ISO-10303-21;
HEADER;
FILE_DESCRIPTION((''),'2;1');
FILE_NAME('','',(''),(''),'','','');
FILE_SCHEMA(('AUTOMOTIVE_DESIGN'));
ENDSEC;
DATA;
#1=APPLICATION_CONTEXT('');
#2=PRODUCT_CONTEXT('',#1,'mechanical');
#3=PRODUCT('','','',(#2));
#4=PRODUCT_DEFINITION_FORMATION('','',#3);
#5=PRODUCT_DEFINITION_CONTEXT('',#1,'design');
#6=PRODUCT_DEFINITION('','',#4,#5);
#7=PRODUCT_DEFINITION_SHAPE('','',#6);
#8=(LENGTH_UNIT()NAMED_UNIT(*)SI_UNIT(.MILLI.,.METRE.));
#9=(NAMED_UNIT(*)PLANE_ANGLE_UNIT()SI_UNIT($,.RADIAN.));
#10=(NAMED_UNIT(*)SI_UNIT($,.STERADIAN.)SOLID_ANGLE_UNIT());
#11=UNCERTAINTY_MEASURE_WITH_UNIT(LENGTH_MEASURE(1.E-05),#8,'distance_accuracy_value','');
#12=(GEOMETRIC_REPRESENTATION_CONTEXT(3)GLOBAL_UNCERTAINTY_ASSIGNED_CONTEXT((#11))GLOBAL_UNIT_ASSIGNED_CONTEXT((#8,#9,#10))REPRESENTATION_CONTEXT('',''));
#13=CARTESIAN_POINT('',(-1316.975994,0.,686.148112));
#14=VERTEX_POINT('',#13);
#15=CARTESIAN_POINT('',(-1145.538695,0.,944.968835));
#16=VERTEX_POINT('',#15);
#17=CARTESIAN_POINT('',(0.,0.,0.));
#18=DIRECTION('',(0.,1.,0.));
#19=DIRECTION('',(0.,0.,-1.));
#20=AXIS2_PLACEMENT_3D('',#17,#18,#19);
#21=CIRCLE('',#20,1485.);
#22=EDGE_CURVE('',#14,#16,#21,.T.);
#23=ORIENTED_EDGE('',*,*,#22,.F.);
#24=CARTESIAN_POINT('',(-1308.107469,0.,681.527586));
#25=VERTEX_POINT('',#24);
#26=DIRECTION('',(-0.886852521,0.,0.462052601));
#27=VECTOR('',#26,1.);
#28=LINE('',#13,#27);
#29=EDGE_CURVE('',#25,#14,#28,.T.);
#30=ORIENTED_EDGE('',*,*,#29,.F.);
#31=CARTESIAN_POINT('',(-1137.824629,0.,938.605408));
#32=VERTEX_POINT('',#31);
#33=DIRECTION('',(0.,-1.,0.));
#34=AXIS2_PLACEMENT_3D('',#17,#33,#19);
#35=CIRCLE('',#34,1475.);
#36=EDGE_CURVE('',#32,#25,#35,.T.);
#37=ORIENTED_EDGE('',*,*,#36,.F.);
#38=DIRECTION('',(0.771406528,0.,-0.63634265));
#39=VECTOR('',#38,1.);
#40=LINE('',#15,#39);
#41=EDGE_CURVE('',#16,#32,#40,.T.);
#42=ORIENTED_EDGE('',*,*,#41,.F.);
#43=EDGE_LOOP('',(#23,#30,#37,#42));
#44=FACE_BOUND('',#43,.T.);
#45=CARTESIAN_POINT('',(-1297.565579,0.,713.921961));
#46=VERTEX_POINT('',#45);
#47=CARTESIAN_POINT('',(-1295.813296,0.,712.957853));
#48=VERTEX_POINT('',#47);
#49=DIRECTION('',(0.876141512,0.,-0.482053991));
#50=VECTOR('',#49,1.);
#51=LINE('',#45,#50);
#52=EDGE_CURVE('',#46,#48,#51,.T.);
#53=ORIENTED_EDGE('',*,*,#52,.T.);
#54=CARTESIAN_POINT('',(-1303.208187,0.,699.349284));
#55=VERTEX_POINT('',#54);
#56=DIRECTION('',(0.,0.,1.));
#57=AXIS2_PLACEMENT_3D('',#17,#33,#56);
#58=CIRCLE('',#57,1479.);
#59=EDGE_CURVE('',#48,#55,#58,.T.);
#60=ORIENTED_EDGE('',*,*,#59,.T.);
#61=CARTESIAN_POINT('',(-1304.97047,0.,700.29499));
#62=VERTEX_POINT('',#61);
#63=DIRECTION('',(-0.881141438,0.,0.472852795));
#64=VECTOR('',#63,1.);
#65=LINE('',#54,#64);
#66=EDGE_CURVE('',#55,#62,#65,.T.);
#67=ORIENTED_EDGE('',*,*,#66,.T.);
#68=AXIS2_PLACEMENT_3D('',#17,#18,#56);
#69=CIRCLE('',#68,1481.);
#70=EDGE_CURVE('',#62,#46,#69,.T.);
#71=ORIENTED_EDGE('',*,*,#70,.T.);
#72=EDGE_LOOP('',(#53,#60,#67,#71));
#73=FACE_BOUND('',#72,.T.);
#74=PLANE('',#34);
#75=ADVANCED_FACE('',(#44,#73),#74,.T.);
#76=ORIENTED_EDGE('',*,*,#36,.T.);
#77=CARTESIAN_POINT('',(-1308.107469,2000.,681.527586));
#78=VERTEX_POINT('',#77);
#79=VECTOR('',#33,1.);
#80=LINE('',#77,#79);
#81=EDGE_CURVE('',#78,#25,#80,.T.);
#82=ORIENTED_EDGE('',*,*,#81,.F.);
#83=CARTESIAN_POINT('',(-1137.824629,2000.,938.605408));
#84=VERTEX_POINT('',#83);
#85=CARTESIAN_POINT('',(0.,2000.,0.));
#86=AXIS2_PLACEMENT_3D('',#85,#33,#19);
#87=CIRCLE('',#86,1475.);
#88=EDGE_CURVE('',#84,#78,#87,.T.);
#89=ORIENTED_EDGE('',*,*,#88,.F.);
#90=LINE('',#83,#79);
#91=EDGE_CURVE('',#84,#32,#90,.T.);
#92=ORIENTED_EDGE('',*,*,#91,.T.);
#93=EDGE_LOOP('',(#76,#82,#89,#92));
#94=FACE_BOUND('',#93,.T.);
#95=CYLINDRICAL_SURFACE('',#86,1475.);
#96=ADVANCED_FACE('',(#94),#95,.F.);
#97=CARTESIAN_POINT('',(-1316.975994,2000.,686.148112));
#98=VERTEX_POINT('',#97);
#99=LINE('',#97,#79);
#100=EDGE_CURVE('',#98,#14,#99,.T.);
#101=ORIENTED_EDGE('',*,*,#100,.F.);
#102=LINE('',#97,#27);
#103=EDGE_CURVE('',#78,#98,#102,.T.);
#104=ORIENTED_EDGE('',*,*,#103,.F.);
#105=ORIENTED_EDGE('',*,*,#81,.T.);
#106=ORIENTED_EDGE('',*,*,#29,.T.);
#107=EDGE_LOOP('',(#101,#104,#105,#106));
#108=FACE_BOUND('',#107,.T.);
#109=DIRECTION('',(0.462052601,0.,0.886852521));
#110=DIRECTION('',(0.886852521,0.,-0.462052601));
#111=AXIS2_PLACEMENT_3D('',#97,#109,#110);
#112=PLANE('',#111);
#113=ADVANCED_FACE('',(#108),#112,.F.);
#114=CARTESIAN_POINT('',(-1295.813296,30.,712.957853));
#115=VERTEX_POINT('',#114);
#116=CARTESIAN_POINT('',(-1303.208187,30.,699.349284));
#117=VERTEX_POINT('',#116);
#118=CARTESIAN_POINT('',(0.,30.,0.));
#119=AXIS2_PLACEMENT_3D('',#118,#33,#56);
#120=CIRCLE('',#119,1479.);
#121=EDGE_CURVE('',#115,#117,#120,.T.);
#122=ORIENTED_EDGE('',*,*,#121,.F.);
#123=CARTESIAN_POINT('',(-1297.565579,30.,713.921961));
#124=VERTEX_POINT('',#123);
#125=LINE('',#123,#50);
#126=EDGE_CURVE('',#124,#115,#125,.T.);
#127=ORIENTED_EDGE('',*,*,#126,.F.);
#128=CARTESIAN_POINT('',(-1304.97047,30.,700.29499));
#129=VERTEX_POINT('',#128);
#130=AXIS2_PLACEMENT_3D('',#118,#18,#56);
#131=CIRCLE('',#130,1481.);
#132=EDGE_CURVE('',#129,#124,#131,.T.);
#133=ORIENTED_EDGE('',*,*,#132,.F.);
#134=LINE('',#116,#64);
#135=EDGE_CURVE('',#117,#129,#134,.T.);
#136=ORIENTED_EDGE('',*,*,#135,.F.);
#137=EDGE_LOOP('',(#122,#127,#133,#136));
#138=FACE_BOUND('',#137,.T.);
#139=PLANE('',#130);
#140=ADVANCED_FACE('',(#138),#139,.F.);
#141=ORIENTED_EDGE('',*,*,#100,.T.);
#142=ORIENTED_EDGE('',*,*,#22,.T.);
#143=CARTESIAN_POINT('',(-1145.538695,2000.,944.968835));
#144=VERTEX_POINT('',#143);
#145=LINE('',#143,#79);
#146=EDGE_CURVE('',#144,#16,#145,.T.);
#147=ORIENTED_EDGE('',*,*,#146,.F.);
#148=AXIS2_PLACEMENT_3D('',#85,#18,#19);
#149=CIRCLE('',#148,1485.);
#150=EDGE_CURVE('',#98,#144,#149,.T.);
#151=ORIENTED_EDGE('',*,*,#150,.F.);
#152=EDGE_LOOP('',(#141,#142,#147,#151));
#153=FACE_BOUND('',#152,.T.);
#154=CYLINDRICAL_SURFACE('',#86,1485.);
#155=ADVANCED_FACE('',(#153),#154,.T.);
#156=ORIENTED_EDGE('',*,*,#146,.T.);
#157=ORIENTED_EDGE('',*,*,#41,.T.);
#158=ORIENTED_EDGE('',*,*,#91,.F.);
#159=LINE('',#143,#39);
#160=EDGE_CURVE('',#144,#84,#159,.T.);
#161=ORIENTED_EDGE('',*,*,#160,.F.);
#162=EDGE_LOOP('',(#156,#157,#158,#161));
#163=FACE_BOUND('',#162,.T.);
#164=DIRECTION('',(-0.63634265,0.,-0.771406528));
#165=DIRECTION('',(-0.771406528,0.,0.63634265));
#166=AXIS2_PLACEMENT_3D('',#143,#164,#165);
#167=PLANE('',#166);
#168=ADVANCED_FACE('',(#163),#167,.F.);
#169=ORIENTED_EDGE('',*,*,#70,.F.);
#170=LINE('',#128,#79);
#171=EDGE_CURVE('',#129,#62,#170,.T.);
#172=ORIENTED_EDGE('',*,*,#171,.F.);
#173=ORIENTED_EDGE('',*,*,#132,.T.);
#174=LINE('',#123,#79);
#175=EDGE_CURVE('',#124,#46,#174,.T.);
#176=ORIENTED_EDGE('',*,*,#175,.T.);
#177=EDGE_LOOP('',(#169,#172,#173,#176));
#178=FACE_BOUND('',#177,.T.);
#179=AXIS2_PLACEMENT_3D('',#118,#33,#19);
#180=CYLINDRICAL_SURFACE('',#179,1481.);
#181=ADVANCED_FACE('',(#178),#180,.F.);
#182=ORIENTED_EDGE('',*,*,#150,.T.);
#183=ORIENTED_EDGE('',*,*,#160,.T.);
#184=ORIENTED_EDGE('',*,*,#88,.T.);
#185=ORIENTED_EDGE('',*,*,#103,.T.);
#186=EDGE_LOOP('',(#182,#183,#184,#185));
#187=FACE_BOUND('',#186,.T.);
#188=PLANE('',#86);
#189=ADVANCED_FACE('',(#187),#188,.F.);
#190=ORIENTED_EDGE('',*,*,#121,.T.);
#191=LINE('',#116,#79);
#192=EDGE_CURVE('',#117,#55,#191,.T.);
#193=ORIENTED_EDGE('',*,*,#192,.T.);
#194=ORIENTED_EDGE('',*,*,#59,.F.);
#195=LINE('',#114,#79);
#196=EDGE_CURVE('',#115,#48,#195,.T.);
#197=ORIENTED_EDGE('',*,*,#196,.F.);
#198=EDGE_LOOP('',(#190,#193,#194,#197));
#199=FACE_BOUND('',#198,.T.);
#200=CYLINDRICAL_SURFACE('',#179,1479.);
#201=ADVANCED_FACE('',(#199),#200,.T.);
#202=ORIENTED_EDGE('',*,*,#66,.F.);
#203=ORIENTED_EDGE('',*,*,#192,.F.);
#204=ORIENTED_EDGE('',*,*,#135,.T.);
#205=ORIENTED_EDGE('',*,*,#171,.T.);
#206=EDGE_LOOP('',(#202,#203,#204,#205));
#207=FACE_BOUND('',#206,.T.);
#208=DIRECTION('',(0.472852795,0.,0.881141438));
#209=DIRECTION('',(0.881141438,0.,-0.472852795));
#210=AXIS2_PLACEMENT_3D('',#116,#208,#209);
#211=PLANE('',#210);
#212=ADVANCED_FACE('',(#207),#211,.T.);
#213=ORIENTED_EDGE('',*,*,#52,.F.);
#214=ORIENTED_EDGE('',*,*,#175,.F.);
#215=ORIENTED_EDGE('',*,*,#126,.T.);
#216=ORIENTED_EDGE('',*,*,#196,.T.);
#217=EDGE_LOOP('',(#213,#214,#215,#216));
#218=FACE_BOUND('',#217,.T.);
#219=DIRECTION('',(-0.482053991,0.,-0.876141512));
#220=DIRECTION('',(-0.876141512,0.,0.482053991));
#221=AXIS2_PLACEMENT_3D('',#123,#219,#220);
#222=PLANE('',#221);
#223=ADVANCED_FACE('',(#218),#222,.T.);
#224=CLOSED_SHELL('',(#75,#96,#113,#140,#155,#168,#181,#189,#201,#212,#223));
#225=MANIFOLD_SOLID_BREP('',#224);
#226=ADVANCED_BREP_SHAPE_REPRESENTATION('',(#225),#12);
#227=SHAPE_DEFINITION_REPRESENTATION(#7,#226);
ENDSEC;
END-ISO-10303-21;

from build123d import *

# Parameters (mm, degrees)
EXTRUDE_3_DEPTH     = 2000
CUT_EXTRUDE_1_DEPTH = 30


with BuildPart() as part:
    # 草图1 → 凸台-拉伸3 (new body)
    with BuildSketch(Plane(origin=(0, 0, 0), x_dir=(1, 0, 0), z_dir=(0, 1, 0))):
        with BuildLine():
            Line((-1145.538694667, -944.968834947), (-1137.824629383, -938.605408449))
            ThreePointArc((-1137.824629383, -938.605408449), (-1229.702487971, -814.528569836), (-1308.107468768, -681.527585761))
            Line((-1308.107468768, -681.527585761), (-1316.97599398, -686.148111766))
            ThreePointArc((-1316.97599398, -686.148111766), (-1238.039453991, -820.050797428), (-1145.538694667, -944.968834947))
        make_face()
    extrude(amount=EXTRUDE_3_DEPTH)

    # 草图2 → 切除-拉伸1 (cut)
    with BuildSketch(Plane(origin=(0, 0, 0), x_dir=(1, 0, 0), z_dir=(0, 1, 0))):
        with BuildLine():
            Line((-1303.208186932, -699.349284345), (-1304.970469808, -700.294989936))
            ThreePointArc((-1304.970469808, -700.294989936), (-1301.285862357, -707.118168647), (-1297.565579497, -713.921961355))
            Line((-1297.565579497, -713.921961355), (-1295.813296472, -712.957853373))
            ThreePointArc((-1295.813296472, -712.957853373), (-1299.528555318, -706.16324877), (-1303.208186932, -699.349284345))
        make_face()
    extrude(amount=CUT_EXTRUDE_1_DEPTH, mode=Mode.SUBTRACT)


solid = part.part
